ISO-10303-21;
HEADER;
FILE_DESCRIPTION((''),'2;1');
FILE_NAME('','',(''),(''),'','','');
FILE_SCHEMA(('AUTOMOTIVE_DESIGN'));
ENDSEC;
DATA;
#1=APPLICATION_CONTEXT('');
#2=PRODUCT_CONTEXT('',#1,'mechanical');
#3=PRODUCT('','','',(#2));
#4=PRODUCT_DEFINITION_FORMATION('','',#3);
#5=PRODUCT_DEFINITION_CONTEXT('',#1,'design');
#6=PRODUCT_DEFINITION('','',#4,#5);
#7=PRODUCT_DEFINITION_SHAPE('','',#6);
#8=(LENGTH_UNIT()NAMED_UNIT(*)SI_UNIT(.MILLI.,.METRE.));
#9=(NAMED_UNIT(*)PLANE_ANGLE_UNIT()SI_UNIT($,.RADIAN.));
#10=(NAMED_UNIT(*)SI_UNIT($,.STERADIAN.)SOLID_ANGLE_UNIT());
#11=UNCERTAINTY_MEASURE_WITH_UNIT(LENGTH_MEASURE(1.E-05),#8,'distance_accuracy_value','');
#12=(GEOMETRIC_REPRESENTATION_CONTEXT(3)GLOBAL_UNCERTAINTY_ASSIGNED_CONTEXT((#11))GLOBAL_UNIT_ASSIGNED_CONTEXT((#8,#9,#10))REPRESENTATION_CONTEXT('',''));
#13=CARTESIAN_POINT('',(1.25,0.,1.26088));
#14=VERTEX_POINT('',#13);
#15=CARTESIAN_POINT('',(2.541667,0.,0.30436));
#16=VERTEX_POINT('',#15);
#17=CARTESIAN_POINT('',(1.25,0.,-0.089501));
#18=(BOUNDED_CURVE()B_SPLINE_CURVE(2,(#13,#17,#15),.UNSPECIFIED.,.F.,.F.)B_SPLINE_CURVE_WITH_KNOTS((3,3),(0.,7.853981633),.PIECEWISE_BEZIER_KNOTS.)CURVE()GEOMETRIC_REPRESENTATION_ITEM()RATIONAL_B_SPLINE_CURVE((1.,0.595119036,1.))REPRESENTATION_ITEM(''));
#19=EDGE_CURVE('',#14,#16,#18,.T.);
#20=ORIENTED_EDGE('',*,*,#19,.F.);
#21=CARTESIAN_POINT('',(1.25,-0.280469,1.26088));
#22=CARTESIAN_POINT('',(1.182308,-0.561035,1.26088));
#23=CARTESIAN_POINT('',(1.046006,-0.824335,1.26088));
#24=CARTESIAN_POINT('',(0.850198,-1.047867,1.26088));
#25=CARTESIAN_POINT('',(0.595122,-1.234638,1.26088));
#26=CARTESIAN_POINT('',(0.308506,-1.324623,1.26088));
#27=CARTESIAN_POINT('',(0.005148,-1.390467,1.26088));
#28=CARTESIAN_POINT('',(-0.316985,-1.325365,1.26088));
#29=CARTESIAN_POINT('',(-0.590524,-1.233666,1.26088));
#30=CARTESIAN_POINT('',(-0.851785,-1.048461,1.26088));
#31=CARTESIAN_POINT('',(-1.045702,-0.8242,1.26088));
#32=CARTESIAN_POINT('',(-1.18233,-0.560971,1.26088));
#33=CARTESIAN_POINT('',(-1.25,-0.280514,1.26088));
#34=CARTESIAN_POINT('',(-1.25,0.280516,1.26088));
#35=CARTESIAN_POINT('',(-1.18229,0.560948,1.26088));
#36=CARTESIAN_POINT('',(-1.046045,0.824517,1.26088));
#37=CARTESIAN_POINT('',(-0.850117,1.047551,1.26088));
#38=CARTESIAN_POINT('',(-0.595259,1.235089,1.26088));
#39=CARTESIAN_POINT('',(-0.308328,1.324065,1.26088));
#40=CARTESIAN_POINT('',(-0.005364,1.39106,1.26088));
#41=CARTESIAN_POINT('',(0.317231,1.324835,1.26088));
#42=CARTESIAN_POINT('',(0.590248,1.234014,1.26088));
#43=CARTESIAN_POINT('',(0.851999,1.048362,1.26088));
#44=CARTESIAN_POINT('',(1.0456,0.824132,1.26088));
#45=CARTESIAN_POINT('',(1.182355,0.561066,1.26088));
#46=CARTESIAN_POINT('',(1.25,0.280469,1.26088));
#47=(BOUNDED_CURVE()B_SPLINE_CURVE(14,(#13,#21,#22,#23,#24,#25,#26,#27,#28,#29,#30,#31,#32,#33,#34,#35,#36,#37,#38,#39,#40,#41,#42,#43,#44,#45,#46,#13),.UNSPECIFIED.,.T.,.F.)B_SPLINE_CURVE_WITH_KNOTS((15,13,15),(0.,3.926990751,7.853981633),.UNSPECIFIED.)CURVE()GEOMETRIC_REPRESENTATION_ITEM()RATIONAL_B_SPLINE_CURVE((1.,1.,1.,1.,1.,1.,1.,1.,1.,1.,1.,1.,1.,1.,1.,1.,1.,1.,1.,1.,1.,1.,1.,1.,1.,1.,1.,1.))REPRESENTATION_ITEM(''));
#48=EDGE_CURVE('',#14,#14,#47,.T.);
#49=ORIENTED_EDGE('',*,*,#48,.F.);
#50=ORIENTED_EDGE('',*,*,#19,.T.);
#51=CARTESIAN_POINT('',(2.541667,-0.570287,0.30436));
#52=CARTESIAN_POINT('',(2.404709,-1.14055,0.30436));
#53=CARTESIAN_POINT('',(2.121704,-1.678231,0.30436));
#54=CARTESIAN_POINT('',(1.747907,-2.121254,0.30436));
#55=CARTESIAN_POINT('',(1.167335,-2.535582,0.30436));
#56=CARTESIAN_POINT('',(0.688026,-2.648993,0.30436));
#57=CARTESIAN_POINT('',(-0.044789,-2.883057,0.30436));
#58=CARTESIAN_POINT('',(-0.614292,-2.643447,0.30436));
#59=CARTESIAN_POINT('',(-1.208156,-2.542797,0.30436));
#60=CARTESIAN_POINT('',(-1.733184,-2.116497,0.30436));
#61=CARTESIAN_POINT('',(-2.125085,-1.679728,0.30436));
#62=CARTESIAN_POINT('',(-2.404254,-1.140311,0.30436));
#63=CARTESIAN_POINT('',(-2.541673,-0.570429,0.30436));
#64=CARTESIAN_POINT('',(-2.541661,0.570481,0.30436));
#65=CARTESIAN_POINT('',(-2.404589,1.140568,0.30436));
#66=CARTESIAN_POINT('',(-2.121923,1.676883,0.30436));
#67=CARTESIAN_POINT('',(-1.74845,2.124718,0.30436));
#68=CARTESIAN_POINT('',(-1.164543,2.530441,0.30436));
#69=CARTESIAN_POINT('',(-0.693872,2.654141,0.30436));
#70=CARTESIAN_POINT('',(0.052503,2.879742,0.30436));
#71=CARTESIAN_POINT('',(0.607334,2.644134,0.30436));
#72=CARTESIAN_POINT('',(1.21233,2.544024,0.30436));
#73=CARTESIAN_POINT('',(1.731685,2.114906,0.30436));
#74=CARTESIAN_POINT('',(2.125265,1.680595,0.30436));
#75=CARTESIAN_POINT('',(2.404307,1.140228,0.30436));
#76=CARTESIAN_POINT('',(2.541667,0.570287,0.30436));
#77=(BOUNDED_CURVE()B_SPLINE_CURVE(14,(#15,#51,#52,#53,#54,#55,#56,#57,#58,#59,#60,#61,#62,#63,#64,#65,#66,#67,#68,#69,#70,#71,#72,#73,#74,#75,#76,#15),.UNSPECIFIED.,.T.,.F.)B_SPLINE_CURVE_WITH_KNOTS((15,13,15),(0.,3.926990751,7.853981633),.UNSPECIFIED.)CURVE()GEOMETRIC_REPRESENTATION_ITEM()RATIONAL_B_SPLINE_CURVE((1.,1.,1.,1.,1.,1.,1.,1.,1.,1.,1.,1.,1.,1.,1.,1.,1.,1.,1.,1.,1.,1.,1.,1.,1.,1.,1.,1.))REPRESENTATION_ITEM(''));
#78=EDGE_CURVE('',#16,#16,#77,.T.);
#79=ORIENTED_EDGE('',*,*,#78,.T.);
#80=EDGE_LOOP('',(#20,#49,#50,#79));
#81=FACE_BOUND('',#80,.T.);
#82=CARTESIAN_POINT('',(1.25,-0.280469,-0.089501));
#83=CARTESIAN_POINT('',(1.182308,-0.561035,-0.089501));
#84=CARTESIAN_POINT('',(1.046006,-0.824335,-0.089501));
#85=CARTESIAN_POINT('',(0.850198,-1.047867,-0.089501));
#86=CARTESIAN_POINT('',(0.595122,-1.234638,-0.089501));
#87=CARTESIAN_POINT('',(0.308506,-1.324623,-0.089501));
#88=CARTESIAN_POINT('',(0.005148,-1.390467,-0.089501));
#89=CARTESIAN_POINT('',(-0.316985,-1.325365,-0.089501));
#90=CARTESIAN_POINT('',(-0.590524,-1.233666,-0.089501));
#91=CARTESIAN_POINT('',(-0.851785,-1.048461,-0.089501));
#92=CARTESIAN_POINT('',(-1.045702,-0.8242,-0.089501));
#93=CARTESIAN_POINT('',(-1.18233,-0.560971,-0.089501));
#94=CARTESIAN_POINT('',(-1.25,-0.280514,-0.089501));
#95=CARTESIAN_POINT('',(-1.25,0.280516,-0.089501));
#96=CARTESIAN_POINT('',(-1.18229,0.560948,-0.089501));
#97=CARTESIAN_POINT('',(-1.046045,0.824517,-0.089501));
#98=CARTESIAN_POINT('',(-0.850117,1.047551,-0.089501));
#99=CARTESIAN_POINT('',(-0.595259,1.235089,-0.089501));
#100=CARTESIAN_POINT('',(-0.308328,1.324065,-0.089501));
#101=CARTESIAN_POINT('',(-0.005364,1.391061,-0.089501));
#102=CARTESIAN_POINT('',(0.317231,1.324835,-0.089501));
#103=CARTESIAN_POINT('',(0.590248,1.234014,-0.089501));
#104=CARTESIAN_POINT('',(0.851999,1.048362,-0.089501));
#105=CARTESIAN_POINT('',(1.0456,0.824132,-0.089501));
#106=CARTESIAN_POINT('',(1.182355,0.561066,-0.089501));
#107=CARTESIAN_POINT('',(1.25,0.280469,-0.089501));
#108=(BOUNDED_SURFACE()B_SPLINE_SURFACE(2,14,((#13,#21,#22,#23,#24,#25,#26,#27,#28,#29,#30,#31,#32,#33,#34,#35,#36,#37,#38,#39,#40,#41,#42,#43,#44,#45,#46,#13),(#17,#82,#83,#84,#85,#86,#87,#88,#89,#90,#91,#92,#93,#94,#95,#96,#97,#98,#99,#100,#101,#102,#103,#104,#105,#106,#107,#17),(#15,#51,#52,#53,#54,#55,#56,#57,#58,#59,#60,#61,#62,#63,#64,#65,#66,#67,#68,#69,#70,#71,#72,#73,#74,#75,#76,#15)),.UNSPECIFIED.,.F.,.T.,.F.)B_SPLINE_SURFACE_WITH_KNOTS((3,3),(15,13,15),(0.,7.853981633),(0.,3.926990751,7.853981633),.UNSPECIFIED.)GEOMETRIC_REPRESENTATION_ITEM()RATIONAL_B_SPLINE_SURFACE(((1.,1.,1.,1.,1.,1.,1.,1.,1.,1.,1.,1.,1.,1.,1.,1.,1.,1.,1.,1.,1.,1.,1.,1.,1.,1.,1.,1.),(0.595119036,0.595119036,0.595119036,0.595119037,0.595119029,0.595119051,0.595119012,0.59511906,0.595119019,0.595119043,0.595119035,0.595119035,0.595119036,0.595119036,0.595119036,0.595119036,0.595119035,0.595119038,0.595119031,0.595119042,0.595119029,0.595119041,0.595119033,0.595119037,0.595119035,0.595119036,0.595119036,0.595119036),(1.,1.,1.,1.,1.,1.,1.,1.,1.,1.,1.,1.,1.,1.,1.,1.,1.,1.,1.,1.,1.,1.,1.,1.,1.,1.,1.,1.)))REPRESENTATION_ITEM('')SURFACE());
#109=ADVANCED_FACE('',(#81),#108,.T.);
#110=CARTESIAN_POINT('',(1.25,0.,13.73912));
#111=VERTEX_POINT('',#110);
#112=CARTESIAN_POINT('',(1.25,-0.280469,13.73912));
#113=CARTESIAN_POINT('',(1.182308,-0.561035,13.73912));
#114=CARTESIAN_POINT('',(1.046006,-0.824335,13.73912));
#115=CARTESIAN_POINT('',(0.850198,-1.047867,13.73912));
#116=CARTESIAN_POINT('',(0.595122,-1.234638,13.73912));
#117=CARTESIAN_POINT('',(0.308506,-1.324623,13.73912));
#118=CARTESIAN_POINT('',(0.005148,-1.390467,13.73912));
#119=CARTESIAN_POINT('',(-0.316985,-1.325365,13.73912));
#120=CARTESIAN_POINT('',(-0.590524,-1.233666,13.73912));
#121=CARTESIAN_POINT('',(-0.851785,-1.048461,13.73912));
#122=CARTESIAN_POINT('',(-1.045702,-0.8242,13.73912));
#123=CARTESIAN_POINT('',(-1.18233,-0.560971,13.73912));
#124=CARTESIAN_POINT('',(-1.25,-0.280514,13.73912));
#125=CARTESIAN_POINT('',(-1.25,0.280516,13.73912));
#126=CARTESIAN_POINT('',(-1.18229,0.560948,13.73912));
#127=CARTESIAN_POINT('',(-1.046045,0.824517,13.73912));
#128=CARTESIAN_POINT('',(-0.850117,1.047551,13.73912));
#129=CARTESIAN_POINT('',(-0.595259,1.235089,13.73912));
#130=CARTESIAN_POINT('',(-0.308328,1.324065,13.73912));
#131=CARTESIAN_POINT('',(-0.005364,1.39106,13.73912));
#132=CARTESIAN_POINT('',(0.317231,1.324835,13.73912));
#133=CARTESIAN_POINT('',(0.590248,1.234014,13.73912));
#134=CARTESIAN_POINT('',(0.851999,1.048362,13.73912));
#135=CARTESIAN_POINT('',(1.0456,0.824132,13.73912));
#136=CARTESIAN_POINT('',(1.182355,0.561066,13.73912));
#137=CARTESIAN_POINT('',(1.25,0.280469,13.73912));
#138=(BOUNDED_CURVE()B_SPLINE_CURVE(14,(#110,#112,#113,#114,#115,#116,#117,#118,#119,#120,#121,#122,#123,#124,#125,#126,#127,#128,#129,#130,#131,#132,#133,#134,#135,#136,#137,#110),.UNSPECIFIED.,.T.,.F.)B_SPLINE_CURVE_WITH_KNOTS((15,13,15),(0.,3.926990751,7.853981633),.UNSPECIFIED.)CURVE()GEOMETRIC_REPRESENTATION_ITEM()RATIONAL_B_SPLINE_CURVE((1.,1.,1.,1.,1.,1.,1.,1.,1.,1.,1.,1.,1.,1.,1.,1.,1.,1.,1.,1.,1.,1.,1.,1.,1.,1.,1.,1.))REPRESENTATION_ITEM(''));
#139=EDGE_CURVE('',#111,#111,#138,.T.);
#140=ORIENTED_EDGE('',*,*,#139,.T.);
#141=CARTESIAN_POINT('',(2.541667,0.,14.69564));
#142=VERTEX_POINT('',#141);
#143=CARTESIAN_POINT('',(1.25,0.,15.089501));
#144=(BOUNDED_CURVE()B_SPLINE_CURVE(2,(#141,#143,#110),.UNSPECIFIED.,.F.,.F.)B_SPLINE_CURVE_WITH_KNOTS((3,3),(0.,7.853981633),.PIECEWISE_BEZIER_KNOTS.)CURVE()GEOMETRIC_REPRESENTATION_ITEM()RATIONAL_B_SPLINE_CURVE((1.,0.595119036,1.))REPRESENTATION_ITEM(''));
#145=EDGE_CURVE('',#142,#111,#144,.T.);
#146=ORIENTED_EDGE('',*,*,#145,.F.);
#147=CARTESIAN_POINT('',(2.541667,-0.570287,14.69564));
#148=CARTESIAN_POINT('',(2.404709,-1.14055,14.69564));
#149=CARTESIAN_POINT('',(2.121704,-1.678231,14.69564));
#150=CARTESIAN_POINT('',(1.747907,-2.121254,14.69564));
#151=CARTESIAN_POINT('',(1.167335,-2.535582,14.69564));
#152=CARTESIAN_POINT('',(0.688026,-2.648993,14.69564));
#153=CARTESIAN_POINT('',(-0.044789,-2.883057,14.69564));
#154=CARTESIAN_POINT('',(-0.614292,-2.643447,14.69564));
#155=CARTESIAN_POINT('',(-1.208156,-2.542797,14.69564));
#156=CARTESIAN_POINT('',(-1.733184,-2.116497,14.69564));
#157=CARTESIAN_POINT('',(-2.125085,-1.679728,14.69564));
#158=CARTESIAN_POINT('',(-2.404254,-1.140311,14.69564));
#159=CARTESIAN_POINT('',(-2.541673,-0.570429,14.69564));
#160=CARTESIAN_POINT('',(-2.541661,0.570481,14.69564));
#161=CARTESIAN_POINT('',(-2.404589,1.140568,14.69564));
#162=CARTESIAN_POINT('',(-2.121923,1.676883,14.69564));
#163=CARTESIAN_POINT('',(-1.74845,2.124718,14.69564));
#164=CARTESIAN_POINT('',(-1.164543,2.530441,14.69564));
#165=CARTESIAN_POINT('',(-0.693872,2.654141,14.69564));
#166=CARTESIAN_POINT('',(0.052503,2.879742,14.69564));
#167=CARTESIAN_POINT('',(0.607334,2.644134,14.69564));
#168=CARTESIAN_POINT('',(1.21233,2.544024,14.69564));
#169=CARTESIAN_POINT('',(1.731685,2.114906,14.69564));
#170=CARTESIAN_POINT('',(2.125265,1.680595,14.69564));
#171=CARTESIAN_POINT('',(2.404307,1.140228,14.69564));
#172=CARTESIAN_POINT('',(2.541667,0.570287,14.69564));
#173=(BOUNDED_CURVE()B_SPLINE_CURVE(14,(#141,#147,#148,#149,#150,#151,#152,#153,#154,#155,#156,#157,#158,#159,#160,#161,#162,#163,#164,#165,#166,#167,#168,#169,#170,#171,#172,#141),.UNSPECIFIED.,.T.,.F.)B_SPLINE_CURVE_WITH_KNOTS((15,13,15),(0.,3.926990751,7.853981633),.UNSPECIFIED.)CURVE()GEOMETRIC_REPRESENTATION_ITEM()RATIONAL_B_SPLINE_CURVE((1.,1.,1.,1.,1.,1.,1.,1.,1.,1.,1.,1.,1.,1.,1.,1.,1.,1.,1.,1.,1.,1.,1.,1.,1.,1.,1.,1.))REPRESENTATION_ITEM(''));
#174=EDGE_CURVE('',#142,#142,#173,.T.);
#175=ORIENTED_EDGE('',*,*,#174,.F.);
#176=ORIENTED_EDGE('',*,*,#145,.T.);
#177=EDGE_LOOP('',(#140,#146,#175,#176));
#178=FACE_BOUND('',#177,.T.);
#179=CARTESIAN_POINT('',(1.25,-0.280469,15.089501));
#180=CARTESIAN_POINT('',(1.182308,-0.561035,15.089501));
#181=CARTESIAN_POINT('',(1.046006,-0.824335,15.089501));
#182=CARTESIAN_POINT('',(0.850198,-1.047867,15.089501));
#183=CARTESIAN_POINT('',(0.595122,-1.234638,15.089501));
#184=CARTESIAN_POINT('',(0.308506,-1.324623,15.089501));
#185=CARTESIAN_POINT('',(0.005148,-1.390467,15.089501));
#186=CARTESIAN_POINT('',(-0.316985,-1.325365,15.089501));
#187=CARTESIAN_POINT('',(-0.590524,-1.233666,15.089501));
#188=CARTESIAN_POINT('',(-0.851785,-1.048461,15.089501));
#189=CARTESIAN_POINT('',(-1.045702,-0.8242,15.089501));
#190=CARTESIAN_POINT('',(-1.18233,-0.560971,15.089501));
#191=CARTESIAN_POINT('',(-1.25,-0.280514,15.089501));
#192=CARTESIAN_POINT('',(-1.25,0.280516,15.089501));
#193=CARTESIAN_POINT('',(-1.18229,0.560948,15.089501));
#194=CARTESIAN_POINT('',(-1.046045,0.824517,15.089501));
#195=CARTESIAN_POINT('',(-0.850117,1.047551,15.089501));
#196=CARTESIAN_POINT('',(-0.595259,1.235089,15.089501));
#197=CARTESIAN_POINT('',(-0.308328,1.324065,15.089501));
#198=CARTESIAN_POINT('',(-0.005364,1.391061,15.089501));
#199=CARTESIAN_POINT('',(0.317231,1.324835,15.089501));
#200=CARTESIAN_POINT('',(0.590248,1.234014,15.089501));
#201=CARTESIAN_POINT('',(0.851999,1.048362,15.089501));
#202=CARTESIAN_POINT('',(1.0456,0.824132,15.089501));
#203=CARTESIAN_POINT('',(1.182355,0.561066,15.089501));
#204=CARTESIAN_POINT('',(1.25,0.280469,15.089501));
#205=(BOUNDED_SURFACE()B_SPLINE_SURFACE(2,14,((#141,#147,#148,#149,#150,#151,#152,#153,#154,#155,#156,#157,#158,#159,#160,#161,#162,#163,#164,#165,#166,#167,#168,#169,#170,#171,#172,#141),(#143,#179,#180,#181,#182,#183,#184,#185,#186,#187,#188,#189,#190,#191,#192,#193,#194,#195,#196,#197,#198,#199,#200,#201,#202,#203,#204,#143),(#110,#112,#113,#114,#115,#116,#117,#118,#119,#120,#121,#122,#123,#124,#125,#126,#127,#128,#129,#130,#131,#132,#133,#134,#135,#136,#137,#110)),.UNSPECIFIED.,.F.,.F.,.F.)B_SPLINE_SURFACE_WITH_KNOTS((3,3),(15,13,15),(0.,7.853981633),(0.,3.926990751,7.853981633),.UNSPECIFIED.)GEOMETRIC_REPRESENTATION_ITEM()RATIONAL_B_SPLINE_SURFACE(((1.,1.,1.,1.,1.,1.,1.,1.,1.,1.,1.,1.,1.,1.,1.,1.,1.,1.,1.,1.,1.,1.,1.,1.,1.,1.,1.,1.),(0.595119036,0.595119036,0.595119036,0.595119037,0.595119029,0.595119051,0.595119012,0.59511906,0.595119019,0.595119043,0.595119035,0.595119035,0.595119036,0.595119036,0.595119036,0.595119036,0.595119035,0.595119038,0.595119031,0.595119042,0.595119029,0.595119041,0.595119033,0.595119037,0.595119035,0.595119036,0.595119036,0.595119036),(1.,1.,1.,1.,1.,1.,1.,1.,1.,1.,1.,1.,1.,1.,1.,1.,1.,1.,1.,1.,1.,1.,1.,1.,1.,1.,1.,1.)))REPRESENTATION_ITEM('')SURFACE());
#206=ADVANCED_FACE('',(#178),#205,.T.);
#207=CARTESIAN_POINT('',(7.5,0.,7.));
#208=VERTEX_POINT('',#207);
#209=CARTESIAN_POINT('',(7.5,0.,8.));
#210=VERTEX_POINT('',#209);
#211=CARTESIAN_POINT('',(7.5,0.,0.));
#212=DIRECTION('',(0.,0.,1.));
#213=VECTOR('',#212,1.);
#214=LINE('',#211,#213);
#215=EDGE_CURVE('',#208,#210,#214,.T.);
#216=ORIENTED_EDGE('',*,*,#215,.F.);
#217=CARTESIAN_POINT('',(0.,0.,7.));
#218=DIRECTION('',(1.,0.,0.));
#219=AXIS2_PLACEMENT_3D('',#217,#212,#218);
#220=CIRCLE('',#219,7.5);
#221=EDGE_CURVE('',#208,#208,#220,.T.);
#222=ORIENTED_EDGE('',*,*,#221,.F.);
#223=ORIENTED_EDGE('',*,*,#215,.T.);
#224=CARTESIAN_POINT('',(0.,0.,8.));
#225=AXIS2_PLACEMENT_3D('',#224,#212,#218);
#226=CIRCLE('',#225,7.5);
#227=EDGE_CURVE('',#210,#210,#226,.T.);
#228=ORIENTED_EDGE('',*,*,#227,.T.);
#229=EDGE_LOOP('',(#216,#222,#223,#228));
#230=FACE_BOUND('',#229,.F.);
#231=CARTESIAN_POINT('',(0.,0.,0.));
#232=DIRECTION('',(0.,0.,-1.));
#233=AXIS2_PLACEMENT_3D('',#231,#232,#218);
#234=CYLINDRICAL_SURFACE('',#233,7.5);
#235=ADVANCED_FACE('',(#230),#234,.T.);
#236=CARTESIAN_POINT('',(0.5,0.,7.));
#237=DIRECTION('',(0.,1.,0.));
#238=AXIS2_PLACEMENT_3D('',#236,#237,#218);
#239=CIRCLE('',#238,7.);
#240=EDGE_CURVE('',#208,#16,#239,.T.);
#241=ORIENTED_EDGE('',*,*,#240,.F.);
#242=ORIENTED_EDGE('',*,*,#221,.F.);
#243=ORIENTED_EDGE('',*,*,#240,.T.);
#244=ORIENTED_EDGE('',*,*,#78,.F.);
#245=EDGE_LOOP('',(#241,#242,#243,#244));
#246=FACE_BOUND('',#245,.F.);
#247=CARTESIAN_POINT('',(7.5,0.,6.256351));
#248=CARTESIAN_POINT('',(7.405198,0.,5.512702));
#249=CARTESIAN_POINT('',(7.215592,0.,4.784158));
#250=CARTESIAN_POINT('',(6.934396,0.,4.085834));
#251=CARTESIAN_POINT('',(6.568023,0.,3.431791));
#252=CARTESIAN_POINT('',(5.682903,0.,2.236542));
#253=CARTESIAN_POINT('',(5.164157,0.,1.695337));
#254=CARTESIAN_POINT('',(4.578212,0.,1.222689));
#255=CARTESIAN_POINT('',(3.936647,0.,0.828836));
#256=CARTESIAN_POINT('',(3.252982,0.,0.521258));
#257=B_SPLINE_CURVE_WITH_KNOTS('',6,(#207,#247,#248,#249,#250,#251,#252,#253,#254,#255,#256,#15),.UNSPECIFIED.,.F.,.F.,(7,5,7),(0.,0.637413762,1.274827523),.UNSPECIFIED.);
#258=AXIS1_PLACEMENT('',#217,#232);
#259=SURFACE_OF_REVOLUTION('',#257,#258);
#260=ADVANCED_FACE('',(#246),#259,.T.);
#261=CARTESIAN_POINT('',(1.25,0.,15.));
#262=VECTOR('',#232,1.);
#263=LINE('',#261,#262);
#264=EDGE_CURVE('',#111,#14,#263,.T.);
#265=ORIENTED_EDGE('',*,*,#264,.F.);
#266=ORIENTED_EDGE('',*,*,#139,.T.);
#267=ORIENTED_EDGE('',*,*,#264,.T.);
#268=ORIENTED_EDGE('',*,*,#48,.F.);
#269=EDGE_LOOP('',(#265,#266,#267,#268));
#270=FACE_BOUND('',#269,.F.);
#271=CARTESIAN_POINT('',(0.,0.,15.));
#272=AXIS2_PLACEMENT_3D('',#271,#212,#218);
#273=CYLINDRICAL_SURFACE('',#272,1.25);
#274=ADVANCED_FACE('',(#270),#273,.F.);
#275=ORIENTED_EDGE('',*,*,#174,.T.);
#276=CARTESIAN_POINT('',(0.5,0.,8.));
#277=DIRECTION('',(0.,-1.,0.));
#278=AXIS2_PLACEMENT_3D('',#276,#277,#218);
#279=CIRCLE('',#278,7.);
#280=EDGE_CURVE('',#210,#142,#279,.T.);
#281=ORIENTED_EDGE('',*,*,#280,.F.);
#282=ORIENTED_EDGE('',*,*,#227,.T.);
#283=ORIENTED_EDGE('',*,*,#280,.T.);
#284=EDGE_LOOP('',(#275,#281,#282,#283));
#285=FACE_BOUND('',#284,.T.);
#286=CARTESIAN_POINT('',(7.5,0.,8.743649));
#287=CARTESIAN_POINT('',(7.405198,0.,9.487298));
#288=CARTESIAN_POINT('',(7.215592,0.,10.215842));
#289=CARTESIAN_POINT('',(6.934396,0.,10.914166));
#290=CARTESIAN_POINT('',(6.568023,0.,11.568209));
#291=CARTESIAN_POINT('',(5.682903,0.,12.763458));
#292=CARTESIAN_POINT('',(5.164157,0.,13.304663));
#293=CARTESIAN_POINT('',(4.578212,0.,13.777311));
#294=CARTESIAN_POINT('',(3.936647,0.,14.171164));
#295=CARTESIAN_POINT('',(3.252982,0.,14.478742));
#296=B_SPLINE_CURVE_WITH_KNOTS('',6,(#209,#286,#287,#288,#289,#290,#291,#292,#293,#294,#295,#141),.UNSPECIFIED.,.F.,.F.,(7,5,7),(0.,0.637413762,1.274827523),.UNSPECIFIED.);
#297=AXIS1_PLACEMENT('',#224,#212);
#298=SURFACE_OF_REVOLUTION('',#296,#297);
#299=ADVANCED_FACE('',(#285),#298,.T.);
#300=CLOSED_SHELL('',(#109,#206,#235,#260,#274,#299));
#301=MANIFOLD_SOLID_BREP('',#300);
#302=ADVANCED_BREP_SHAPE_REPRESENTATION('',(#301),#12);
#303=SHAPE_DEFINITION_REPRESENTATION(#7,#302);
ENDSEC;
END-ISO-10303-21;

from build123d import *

# Parameters (mm, degrees)
F0_R     = 7.5
F1_DEPTH = 15
F2_R     = 7
F3_R     = 7
F4_R     = 1.25
F4_R_2   = 0.5
F5_DEPTH = 25
F6_R     = 1
F7_R     = 1


with BuildPart() as f1:
    # F0 (on Top) → F1 (new body)
    with BuildSketch(Plane.XY):
        Circle(F0_R)
    extrude(amount=F1_DEPTH)

    # F2
    f2_edges = [f1.edges().sort_by_distance(p)[0] for p in [
        (-7.5, 0, 15),
    ]]
    fillet(f2_edges, radius=F2_R)

    # F3
    f3_edges = [f1.edges().sort_by_distance(p)[0] for p in [
        (-7.5, 0, 0),
    ]]
    fillet(f3_edges, radius=F3_R)

    # F4 (on face) → F5 (cut)
    with BuildSketch(Plane.XY.offset(15)):
        Circle(F4_R)
        Circle(F4_R_2, mode=Mode.SUBTRACT)
        Circle(F4_R_2)
    extrude(amount=-F5_DEPTH, mode=Mode.SUBTRACT)

    # F6
    f6_edges = [f1.edges().sort_by_distance(p)[0] for p in [
        (-1.25, 0, 14.959705),
    ]]
    fillet(f6_edges, radius=F6_R)

    # F7
    f7_edges = [f1.edges().sort_by_distance(p)[0] for p in [
        (-1.25, 0, 0.040295),
    ]]
    fillet(f7_edges, radius=F7_R)


solid = f1.part
